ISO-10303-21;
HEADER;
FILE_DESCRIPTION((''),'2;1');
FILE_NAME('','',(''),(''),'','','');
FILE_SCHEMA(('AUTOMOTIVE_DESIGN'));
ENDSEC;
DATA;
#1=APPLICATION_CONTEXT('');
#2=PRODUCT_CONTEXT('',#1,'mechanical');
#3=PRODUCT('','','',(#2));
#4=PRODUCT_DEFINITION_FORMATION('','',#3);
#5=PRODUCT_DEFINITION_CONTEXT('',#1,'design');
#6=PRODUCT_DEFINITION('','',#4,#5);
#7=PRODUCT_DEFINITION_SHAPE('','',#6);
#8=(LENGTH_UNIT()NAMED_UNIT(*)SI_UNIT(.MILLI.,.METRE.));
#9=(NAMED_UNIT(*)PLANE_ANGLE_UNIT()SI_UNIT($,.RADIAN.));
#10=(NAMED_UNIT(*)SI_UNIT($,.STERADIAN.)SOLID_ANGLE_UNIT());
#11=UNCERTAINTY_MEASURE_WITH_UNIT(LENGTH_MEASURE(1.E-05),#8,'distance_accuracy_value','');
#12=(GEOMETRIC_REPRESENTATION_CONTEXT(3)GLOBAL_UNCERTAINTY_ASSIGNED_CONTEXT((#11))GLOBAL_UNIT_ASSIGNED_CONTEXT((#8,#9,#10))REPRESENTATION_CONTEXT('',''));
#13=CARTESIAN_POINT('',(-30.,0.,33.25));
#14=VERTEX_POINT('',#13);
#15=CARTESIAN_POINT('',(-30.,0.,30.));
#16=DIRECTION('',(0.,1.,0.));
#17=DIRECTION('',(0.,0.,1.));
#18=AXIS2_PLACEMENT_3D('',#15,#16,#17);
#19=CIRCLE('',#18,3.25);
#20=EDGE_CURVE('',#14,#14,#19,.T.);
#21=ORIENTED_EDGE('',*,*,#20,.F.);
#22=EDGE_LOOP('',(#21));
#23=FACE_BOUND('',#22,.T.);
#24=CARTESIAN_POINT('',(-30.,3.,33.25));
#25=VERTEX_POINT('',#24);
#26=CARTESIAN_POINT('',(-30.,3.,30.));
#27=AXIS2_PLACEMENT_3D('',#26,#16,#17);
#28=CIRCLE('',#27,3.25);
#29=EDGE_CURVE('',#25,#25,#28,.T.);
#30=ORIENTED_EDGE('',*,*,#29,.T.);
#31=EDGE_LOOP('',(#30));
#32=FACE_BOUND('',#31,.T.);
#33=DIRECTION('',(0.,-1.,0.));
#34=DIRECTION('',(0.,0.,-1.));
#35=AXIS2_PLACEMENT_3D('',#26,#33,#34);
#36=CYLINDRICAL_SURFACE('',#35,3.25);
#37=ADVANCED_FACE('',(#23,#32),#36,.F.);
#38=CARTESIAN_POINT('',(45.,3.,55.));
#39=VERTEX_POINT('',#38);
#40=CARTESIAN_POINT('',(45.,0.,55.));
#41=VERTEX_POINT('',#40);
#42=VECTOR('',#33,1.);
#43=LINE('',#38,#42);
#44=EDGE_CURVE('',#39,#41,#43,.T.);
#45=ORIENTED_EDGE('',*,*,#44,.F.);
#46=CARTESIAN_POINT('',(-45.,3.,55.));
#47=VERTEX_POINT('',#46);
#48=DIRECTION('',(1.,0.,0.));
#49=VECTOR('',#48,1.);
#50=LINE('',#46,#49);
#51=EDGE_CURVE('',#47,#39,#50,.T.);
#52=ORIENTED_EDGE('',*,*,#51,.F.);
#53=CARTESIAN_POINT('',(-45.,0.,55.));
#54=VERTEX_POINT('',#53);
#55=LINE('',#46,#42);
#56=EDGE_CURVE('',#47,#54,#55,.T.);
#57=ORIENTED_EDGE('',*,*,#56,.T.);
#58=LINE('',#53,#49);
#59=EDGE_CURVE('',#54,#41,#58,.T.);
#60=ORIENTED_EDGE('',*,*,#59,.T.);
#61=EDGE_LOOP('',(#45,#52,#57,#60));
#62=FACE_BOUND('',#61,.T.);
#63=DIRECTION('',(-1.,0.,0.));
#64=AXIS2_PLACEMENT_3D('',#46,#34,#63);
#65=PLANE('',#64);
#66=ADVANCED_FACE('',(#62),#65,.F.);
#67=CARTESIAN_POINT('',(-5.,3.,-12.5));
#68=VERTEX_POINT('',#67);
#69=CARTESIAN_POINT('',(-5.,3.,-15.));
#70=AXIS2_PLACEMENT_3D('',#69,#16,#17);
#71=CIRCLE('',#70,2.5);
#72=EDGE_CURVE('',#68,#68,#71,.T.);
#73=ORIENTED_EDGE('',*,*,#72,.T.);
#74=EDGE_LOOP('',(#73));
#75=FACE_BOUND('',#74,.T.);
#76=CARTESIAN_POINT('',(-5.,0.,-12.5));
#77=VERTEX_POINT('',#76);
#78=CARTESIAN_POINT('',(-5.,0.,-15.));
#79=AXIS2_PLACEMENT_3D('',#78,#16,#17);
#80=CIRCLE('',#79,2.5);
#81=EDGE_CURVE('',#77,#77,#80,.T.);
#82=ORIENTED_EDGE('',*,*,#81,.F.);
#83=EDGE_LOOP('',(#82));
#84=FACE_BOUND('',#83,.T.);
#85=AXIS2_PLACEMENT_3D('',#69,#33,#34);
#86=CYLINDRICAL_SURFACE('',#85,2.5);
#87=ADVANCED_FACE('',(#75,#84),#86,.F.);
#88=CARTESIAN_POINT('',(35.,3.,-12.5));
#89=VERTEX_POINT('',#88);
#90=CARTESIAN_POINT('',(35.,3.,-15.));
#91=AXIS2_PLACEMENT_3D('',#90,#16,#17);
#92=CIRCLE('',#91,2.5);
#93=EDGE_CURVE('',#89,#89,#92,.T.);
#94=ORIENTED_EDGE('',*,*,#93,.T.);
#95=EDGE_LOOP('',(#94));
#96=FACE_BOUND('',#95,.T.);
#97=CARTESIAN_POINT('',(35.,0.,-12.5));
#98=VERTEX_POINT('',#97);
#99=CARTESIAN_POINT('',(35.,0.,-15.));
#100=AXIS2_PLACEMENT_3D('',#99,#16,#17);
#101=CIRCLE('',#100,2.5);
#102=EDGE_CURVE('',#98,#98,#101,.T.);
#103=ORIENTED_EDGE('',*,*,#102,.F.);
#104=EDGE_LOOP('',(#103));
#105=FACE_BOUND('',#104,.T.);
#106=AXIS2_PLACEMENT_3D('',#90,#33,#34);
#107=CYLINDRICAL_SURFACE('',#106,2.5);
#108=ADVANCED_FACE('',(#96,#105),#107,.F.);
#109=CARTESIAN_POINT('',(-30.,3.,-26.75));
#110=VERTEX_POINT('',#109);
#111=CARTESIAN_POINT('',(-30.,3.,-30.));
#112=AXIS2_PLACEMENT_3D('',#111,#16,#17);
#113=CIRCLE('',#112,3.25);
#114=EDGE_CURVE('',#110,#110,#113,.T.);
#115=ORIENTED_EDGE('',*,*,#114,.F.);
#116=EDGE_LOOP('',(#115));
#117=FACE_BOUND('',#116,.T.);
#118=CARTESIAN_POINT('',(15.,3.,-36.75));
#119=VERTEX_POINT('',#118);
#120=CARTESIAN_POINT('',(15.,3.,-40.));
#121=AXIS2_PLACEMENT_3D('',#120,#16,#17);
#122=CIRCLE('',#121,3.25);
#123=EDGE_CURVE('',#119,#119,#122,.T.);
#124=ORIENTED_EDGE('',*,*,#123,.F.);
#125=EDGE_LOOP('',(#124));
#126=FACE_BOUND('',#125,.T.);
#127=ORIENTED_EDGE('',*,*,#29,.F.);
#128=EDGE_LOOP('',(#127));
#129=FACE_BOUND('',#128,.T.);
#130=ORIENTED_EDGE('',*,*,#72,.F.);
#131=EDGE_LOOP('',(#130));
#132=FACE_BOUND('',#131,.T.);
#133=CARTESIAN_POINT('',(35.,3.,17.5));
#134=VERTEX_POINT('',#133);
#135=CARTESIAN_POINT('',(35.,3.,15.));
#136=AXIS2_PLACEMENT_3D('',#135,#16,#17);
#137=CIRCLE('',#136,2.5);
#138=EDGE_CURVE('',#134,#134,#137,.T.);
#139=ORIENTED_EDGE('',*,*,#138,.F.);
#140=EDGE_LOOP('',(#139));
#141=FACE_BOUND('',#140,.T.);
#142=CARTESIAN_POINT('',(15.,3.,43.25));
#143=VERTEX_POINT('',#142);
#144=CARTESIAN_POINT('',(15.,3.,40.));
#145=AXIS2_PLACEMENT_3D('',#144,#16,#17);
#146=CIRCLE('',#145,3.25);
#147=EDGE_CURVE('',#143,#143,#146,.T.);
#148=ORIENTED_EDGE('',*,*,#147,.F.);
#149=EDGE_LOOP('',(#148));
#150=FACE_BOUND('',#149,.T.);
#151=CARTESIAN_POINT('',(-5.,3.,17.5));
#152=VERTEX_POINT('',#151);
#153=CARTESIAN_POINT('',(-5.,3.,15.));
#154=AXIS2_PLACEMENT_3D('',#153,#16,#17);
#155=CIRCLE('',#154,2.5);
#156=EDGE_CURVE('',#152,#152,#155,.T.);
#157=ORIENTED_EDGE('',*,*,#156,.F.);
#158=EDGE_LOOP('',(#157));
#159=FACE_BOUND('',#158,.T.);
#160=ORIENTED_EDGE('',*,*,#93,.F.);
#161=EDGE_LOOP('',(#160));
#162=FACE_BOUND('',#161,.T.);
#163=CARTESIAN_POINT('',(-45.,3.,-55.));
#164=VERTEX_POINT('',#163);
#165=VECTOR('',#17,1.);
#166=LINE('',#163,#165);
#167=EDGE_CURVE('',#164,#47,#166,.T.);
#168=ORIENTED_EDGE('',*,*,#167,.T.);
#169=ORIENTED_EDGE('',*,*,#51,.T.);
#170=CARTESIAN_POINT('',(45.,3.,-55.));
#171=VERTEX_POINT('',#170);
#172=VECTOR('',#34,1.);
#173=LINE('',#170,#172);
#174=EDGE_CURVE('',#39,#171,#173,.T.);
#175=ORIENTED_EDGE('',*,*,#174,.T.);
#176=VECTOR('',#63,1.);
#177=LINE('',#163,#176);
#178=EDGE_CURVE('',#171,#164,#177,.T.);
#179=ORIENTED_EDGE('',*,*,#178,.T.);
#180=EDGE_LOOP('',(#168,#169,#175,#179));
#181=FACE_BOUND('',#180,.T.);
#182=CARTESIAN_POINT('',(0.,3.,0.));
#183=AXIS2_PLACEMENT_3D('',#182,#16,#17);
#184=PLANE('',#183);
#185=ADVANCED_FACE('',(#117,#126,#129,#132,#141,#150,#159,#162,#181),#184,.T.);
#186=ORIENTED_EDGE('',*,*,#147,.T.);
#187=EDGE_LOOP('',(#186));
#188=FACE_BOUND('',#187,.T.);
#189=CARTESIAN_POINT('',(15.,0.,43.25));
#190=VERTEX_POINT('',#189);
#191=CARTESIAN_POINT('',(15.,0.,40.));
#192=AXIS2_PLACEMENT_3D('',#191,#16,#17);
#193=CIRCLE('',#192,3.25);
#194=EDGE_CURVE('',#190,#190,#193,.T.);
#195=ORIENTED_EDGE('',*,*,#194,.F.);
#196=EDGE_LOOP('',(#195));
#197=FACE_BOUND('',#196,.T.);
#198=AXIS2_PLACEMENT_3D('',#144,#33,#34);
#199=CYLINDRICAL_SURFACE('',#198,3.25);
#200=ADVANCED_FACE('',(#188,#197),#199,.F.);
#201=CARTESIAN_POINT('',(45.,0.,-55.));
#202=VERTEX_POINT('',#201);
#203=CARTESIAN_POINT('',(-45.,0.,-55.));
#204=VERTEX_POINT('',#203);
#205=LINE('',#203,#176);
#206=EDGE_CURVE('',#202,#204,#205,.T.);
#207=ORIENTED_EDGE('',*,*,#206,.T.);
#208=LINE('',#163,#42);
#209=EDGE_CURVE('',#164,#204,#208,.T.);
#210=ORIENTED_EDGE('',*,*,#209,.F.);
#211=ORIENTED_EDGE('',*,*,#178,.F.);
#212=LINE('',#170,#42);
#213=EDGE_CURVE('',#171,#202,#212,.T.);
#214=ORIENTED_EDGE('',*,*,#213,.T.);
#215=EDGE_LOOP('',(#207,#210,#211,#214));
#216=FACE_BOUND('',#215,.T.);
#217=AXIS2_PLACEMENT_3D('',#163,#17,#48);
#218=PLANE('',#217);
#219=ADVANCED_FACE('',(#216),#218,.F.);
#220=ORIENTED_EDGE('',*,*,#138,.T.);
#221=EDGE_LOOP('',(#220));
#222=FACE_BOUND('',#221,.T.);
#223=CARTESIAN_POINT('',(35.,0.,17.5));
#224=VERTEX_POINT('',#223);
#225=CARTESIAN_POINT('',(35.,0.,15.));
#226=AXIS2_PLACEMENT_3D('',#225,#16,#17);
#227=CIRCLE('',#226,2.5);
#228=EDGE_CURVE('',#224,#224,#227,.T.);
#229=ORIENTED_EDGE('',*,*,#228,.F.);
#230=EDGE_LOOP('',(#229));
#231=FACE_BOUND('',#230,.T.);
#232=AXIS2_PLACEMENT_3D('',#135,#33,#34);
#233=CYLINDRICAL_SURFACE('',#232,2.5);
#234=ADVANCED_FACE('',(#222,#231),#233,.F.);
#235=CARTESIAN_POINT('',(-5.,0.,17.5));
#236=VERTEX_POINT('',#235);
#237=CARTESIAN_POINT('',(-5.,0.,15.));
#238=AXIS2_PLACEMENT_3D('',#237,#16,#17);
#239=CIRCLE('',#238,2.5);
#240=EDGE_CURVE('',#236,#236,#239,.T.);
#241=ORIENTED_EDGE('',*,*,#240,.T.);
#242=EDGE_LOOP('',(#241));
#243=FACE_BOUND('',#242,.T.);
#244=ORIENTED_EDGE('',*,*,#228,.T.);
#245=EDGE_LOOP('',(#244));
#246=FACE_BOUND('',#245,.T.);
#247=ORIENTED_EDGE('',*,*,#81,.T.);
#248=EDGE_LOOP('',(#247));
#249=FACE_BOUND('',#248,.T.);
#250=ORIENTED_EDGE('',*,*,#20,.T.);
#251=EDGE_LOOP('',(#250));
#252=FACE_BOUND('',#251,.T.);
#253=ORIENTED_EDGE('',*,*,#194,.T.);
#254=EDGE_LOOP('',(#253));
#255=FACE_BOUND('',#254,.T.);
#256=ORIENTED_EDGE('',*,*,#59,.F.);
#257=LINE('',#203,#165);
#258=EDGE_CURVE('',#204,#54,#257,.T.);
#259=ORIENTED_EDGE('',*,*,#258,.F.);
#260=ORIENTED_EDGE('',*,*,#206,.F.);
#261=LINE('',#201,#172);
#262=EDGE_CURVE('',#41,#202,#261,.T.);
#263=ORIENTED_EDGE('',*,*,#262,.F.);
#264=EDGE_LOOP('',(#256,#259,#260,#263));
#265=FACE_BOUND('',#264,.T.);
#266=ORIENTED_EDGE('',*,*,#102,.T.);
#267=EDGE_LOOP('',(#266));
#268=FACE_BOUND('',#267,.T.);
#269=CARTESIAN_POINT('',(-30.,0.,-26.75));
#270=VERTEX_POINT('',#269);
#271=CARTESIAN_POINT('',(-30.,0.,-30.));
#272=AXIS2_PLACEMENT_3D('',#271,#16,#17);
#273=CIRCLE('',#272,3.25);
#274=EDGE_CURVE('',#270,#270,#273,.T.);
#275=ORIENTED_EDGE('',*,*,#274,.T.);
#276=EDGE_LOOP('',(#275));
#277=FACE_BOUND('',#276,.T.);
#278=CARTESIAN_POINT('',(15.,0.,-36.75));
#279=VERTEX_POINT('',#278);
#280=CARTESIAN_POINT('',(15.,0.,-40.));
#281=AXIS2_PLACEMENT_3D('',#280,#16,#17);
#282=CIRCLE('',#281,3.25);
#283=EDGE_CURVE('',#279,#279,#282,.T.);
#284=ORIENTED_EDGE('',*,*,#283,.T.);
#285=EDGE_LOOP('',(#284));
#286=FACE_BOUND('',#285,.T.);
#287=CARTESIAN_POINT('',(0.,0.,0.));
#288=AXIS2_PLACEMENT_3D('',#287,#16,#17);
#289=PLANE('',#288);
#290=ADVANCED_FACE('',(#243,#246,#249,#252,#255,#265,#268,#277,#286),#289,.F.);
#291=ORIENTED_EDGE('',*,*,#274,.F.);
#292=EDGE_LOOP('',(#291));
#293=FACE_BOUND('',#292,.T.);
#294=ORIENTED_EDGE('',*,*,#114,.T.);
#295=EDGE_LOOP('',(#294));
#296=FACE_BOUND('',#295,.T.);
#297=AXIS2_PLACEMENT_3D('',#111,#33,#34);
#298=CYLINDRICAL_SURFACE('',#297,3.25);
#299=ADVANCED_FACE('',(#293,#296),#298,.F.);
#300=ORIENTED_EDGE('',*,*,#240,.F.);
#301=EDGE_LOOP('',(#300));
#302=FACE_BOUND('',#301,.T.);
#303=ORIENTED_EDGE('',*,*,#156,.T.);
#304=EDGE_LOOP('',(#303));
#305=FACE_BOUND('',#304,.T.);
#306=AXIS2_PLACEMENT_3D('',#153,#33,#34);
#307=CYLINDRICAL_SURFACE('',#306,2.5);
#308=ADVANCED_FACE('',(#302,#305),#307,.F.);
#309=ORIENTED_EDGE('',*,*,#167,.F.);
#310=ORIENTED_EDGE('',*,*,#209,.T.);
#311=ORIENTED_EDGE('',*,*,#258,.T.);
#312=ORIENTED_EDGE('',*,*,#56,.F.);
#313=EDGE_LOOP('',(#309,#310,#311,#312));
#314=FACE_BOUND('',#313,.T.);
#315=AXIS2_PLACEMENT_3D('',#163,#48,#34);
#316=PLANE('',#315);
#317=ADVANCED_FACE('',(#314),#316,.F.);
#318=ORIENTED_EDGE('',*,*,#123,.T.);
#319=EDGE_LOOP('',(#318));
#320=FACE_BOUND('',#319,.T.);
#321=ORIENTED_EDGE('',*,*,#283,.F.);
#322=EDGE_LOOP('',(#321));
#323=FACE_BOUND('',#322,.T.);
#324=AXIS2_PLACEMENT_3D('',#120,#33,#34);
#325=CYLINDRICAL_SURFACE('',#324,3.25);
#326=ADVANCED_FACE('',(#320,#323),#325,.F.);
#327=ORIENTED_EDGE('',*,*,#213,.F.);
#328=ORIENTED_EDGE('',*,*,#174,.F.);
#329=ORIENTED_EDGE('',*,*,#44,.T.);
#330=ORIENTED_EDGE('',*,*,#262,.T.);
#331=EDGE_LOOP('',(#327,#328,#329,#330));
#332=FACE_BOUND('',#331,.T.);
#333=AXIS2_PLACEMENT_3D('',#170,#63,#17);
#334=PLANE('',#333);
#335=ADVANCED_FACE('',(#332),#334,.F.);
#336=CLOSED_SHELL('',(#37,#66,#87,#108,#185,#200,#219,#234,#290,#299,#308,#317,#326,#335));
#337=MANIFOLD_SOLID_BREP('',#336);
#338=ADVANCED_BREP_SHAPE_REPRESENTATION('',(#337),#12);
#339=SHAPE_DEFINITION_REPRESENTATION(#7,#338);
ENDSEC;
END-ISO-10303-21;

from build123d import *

# Parameters (mm, degrees)
SKETCH1_W           = 90
SKETCH1_H           = 110
SKETCH1_R           = 3.25
SKETCH1_R_2         = 2.5
BOSS_EXTRUDE1_DEPTH = 3


with BuildPart() as part:
    # Sketch1 → Boss-Extrude1 (new body)
    with BuildSketch(Plane(origin=(0, 0, 0), x_dir=(1, 0, 0), z_dir=(0, 1, 0))):
        Rectangle(SKETCH1_W, SKETCH1_H)
        with Locations(Location((-30, 30, 0), (0, 0, 270))):
            Circle(SKETCH1_R, mode=Mode.SUBTRACT)
        with Locations(Location((-30, -30, 0), (0, 0, 270))):
            Circle(SKETCH1_R, mode=Mode.SUBTRACT)
        with Locations(Location((-5, 15, 0), (0, 0, 270))):
            Circle(SKETCH1_R_2, mode=Mode.SUBTRACT)
        with Locations(Location((35, 15, 0), (0, 0, 270))):
            Circle(SKETCH1_R_2, mode=Mode.SUBTRACT)
        with Locations(Location((35, -15, 0), (0, 0, 270))):
            Circle(SKETCH1_R_2, mode=Mode.SUBTRACT)
        with Locations(Location((-5, -15, 0), (0, 0, 270))):
            Circle(SKETCH1_R_2, mode=Mode.SUBTRACT)
        with Locations(Location((15, -40, 0), (0, 0, 270))):
            Circle(SKETCH1_R, mode=Mode.SUBTRACT)
        with Locations(Location((15, 40, 0), (0, 0, 270))):
            Circle(SKETCH1_R, mode=Mode.SUBTRACT)
    extrude(amount=BOSS_EXTRUDE1_DEPTH)


solid = part.part
